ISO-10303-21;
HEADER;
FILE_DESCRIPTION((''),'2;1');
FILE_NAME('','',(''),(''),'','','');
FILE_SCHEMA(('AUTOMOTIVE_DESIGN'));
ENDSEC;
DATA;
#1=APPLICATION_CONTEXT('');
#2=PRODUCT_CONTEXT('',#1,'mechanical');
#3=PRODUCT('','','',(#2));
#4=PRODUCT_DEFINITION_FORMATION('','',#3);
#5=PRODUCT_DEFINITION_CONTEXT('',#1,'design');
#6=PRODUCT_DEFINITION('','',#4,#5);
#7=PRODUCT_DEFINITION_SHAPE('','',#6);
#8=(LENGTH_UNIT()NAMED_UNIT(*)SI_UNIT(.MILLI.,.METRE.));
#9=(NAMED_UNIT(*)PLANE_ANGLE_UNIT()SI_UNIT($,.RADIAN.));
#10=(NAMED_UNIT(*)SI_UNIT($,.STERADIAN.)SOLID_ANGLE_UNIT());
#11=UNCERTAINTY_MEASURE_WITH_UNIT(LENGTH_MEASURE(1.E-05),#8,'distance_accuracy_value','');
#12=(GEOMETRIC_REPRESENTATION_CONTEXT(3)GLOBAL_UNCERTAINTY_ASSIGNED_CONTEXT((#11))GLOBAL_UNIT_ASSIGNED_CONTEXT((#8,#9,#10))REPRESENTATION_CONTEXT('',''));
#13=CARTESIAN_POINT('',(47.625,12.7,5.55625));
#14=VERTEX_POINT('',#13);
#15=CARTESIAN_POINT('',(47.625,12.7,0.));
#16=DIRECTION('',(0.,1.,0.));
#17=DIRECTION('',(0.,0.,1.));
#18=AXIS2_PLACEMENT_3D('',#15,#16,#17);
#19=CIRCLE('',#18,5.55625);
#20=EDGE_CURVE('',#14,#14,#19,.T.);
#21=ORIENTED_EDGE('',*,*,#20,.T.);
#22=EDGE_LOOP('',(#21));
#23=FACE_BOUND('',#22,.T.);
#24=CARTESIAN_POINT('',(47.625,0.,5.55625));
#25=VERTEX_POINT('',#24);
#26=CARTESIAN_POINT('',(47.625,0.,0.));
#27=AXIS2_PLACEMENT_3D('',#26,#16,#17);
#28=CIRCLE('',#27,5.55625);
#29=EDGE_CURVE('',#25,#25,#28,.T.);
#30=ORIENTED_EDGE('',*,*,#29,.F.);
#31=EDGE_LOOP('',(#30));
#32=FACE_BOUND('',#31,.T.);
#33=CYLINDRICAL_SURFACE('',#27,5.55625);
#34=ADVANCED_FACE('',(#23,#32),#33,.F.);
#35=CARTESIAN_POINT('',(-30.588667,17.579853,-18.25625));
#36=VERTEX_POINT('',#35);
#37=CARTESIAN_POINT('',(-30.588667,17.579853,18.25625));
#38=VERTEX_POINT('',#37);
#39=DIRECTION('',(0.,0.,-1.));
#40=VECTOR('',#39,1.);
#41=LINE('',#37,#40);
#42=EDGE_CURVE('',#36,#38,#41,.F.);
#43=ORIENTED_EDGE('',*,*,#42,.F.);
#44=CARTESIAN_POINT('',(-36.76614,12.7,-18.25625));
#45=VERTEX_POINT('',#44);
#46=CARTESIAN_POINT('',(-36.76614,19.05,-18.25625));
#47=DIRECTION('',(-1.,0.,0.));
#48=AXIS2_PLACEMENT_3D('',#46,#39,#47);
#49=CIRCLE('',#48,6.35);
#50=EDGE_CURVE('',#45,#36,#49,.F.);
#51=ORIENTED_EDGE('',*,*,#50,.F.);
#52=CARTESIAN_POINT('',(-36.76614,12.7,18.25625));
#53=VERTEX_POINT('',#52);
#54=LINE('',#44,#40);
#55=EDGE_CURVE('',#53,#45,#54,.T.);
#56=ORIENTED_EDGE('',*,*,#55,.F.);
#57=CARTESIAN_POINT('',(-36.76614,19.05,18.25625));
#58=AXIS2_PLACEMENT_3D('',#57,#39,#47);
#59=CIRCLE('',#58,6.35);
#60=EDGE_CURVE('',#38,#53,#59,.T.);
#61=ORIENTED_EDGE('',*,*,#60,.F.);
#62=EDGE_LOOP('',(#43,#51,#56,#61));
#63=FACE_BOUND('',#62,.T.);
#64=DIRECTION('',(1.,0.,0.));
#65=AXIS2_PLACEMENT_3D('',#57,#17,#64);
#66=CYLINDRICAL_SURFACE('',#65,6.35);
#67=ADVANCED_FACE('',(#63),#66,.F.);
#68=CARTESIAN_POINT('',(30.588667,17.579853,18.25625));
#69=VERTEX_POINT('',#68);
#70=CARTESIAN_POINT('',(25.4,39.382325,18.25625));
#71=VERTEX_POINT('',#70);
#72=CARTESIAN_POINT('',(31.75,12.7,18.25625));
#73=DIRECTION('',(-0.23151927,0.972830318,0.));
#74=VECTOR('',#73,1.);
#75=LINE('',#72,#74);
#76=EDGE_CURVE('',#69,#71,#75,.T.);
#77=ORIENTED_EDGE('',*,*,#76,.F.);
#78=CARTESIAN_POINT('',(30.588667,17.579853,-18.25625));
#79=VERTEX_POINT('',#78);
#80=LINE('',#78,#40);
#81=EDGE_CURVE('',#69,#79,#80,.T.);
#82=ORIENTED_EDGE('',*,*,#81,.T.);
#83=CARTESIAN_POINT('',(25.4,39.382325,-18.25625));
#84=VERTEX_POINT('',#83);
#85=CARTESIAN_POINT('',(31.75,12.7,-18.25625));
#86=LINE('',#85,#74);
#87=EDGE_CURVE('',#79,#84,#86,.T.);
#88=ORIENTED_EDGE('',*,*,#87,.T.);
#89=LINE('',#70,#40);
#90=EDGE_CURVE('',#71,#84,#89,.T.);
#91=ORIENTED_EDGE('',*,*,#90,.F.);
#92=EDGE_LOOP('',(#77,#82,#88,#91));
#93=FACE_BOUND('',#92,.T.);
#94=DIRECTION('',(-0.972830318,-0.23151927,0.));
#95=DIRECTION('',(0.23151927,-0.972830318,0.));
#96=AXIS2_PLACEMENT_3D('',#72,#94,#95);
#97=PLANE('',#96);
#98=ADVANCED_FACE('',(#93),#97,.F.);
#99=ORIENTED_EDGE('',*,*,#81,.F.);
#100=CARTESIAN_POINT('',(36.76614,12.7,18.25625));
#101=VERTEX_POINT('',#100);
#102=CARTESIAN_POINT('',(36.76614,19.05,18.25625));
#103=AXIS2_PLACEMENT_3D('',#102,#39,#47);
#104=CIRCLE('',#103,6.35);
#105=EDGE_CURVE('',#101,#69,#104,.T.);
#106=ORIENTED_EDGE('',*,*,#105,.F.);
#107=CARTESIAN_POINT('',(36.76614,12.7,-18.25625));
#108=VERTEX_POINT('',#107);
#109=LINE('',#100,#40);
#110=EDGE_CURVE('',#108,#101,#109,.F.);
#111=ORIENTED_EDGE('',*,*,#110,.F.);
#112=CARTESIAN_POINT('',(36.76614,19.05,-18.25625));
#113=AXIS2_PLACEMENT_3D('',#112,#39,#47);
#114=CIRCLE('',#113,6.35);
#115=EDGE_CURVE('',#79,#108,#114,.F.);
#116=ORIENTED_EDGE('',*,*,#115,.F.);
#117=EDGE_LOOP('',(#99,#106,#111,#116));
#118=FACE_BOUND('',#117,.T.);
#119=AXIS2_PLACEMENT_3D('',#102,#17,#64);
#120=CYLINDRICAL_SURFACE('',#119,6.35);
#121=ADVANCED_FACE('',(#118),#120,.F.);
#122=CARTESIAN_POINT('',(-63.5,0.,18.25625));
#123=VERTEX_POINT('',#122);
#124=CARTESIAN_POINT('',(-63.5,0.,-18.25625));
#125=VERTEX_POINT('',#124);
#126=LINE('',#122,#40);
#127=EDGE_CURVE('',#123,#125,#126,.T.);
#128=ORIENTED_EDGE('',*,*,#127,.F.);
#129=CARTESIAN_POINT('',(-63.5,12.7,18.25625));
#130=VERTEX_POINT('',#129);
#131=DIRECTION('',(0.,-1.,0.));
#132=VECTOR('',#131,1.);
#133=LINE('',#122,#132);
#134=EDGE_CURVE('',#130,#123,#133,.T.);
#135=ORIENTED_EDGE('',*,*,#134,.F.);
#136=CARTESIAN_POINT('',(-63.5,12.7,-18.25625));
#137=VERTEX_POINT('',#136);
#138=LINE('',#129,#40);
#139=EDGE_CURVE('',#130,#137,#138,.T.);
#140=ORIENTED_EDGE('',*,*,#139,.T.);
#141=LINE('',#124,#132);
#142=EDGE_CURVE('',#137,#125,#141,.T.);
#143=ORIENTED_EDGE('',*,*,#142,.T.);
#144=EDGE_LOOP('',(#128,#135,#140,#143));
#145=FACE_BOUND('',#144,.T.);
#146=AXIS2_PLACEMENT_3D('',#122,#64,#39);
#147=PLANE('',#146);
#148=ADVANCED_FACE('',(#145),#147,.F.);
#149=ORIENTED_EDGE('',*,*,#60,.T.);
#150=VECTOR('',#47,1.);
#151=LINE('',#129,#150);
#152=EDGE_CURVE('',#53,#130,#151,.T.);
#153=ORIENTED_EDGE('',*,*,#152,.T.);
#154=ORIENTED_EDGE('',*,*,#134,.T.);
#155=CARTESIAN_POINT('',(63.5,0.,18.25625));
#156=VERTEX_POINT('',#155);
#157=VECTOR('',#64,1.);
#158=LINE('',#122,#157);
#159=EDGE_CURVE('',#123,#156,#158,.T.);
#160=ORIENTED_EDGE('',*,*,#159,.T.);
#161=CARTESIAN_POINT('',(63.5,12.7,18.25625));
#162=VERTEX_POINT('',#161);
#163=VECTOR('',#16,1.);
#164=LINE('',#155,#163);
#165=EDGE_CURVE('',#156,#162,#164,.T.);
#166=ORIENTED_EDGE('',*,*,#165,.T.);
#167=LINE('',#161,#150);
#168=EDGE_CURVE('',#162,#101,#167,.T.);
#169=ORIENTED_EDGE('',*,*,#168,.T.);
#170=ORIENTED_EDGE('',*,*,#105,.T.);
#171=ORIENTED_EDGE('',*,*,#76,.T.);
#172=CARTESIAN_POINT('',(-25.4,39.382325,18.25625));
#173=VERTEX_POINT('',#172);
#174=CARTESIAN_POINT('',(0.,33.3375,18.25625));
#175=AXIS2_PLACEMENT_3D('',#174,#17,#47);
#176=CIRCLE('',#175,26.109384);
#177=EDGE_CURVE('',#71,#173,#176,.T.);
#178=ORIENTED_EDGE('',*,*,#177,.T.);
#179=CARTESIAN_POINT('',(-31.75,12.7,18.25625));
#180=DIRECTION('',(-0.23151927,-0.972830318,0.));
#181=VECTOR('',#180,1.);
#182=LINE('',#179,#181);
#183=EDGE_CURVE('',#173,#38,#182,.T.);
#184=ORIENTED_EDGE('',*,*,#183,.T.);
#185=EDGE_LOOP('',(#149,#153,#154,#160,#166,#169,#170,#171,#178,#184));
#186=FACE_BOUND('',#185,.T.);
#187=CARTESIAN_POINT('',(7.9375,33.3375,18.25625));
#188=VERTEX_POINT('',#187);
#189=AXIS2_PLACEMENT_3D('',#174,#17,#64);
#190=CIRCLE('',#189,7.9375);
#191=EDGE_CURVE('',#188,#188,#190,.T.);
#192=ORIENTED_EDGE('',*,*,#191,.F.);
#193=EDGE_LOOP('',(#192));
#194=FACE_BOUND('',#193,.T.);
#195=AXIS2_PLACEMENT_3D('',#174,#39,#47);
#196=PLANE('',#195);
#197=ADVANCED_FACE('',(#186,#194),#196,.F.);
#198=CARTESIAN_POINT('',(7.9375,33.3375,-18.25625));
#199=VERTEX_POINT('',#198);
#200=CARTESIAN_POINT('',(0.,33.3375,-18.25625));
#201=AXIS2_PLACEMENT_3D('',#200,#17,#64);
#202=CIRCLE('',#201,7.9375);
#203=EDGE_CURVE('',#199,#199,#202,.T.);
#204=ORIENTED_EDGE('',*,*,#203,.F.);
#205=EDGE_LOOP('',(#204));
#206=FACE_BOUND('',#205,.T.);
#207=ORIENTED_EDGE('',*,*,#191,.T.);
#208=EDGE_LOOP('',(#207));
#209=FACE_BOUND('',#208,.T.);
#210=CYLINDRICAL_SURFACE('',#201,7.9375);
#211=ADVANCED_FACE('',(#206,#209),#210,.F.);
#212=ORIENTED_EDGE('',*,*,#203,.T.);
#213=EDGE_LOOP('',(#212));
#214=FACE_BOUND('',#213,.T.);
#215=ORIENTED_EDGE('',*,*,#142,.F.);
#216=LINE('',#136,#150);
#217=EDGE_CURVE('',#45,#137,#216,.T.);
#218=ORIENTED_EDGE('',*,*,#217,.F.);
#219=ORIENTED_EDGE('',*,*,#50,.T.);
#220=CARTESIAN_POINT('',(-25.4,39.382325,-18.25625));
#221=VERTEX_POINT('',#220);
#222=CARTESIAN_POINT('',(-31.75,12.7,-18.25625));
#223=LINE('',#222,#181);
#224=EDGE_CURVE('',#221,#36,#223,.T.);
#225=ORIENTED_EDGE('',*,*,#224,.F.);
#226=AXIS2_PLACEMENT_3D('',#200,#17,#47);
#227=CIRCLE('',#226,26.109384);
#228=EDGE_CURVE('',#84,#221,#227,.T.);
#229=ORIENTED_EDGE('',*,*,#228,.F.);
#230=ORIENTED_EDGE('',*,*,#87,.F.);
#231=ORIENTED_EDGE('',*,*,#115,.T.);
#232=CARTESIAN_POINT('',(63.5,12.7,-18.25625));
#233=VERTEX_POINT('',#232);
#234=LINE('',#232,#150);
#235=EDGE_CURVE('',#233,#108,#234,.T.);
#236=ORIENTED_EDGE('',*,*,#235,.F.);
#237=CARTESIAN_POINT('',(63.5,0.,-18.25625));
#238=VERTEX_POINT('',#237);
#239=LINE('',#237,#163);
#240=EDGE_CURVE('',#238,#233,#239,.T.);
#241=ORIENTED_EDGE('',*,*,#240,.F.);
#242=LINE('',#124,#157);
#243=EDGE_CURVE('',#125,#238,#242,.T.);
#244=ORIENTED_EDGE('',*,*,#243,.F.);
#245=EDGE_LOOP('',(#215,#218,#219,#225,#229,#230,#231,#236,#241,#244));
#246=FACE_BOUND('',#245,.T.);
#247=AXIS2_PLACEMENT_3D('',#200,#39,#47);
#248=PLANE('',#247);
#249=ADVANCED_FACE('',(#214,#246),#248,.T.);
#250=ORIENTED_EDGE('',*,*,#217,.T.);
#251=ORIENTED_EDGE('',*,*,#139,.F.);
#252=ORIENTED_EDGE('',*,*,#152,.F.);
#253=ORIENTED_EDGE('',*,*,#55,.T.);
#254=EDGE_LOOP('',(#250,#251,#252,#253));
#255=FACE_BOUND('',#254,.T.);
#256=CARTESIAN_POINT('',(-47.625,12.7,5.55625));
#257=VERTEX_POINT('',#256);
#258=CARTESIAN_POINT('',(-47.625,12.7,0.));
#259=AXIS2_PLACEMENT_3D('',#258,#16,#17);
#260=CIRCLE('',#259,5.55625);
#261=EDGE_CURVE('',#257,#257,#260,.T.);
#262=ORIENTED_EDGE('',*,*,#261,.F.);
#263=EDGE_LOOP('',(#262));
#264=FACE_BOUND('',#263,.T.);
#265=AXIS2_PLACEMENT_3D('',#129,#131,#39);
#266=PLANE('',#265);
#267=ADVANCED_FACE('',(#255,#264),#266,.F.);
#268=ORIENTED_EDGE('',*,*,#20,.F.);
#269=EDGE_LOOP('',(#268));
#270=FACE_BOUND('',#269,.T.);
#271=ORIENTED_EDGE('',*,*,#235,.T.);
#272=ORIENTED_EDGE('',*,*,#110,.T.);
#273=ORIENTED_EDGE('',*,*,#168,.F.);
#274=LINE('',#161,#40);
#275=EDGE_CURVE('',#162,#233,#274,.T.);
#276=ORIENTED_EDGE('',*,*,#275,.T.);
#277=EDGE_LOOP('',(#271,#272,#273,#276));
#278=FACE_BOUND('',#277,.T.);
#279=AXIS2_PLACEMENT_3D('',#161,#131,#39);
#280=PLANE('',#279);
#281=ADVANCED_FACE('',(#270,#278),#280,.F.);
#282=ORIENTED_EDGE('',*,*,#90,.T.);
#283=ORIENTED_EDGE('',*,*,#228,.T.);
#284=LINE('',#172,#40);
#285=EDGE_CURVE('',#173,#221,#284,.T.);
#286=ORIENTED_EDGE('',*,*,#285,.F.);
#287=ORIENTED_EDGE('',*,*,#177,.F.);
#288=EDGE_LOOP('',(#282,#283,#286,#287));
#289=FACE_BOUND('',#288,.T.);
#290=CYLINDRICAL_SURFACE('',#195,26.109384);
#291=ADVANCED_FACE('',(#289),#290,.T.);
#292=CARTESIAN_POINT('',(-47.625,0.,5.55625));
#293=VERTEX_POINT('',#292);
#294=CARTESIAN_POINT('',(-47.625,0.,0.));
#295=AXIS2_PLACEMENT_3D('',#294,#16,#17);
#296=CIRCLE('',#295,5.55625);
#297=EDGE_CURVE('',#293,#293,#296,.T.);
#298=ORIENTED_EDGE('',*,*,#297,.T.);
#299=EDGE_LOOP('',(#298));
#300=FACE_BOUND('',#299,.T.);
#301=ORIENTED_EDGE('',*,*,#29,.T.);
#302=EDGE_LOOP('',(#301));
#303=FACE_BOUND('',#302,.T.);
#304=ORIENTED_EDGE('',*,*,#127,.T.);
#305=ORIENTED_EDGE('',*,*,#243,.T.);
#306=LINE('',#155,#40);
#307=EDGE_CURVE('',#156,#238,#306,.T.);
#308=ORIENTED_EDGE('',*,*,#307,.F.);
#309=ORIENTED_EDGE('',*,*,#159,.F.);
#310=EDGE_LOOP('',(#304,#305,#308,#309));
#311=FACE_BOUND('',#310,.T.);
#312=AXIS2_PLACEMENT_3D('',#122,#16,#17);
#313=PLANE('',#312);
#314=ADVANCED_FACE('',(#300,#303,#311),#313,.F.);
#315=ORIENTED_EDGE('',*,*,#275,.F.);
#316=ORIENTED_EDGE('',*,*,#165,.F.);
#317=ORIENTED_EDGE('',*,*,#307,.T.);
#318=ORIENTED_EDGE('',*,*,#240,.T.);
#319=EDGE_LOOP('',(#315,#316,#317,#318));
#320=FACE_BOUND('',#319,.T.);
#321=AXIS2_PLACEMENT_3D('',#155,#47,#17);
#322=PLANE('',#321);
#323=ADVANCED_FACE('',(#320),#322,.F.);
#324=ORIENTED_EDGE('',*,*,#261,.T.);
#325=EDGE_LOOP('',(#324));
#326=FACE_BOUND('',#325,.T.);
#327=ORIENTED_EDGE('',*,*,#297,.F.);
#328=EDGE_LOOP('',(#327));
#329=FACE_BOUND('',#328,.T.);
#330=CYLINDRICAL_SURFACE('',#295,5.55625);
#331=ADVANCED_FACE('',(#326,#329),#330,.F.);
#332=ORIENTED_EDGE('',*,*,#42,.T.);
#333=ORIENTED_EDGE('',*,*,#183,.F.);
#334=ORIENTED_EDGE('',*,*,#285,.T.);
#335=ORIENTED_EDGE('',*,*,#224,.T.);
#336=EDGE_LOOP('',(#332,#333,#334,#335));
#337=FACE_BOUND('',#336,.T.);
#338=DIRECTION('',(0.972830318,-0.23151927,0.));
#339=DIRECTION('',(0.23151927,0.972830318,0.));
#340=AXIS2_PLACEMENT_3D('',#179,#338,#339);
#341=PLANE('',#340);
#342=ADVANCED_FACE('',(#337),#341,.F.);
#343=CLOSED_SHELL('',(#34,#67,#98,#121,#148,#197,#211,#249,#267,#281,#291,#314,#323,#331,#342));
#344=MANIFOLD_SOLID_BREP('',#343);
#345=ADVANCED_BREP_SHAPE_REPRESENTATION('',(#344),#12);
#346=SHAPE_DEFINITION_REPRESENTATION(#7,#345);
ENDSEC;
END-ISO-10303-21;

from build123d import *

# Parameters (mm, degrees)
EXTRUDE1_DEPTH     = 18.25625
FILLET1_R          = 6.35
SKETCH3_R          = 7.9375
CUT_EXTRUDE1_DEPTH = 37.5125
SKETCH4_R          = 5.55625
CUT_EXTRUDE2_DEPTH = 13.7


with BuildPart() as part:
    # Sketch1 → Extrude1 (new body, symmetric)
    with BuildSketch(Plane.XY):
        with BuildLine():
            Line((-63.5, 0), (63.5, 0))
            Line((63.5, 0), (63.5, 12.7))
            Line((63.5, 12.7), (31.75, 12.7))
            Line((31.75, 12.7), (25.4, 39.382325452))
            ThreePointArc((25.4, 39.382325452), (0, 59.446883653), (-25.4, 39.382325452))
            Line((-25.4, 39.382325452), (-31.75, 12.7))
            Line((-31.75, 12.7), (-63.5, 12.7))
            Line((-63.5, 12.7), (-63.5, 0))
        make_face()
    extrude(amount=EXTRUDE1_DEPTH, both=True)

    # Fillet1
    fillet1_edges = [part.edges().sort_by_distance(p)[0] for p in [
        (-31.75, 12.7, 0),
        (31.75, 12.7, 0),
    ]]
    fillet(fillet1_edges, radius=FILLET1_R)

    # Sketch3 → Cut-Extrude1 (cut, through all)
    with BuildSketch(Plane.XY.offset(18.25625)):
        with Locations((0, 33.3375)):
            Circle(SKETCH3_R)
    extrude(amount=-CUT_EXTRUDE1_DEPTH, mode=Mode.SUBTRACT)

    # Sketch4 → Cut-Extrude2 (cut, through all)
    with BuildSketch(Plane(origin=(0, 12.7, 0), x_dir=(-1, 0, 0), z_dir=(0, 1, 0))):
        with Locations((-47.625, 0)):
            Circle(SKETCH4_R)
        with Locations((47.625, 0)):
            Circle(SKETCH4_R)
    extrude(amount=-CUT_EXTRUDE2_DEPTH, mode=Mode.SUBTRACT)


solid = part.part
